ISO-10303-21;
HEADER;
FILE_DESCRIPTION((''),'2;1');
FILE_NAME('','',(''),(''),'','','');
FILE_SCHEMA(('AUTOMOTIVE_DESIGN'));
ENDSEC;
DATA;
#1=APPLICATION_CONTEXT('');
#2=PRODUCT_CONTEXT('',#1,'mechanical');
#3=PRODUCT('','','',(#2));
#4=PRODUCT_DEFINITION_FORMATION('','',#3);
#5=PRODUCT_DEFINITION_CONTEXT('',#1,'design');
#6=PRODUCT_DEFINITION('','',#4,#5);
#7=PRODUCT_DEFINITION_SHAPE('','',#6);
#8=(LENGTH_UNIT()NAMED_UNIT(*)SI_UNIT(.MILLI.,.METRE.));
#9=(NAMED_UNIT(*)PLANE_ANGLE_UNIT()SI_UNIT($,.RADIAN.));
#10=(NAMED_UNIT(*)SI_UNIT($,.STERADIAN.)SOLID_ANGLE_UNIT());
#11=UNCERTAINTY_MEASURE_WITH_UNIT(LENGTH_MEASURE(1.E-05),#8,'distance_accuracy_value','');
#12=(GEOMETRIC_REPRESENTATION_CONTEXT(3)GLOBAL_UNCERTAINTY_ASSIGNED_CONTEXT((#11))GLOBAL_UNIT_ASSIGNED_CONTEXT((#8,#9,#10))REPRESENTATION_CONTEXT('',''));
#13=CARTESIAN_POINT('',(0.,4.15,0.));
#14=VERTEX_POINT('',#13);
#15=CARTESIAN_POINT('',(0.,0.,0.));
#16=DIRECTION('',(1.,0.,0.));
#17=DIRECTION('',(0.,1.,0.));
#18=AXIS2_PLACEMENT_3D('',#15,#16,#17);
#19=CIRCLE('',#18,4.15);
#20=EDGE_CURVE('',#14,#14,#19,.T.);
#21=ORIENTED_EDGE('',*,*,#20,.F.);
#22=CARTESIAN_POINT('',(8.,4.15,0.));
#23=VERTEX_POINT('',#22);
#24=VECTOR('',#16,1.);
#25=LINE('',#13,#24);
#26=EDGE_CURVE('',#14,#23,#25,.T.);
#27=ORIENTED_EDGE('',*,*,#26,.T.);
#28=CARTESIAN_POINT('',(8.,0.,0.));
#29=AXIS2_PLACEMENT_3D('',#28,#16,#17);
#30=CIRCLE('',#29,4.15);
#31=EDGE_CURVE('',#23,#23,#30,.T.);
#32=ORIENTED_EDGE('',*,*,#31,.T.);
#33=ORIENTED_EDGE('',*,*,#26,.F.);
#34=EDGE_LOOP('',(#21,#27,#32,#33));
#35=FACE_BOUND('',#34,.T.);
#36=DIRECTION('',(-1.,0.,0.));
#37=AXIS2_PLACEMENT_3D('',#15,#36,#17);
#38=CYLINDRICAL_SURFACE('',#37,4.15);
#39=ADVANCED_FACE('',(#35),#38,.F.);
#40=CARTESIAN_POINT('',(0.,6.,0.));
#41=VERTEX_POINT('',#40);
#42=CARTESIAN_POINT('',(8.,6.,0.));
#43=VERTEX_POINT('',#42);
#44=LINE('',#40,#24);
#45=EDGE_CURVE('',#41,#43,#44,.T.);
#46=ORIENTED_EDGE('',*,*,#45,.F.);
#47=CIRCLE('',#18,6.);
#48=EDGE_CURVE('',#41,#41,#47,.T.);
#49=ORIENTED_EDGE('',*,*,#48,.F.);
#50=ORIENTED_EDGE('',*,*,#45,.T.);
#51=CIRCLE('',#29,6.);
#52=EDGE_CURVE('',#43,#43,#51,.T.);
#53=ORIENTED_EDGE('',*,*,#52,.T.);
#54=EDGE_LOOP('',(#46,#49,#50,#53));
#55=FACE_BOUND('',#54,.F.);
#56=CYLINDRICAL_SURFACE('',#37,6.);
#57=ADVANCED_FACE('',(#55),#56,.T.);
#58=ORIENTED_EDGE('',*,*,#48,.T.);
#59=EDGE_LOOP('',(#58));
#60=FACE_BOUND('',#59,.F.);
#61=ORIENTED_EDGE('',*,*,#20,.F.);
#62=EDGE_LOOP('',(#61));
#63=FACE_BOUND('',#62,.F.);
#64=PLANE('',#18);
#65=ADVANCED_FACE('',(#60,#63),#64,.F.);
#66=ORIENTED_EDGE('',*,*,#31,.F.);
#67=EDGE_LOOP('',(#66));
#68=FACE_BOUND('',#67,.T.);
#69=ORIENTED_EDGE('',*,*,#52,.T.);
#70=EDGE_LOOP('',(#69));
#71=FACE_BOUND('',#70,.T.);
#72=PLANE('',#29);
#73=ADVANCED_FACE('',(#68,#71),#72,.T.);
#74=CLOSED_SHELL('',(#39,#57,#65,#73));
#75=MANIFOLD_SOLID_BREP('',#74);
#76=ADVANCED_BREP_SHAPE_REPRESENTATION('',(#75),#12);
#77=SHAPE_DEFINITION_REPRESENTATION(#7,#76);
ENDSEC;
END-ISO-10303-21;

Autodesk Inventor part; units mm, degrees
ref_plane "YZ Plane" through (0, 0, 0) normal (1, 0, 0) x (0, 1, 0)
ref_plane "XZ Plane" through (0, 0, 0) normal (0, 1, 0) x (-1, 0, 0)
ref_plane "XY Plane" through (0, 0, 0) normal (0, 0, 1) x (1, 0, 0)
sketch "スケッチ1" plane through (0, 0, 0) normal (1, 0, 0) x (0, 1, 0)
  circle A0 centre (0, 0) radius 4.15
  circle A1 centre (0, 0) radius 6
  dimension "d0" = 8.3
  dimension "d1" = 12
extrude "押し出し1" add sketch "スケッチ1" along normal blind 8
properties part number "RZvector-v1-3DP-B-Ts-Spacer" material "ABS プラスチック"
